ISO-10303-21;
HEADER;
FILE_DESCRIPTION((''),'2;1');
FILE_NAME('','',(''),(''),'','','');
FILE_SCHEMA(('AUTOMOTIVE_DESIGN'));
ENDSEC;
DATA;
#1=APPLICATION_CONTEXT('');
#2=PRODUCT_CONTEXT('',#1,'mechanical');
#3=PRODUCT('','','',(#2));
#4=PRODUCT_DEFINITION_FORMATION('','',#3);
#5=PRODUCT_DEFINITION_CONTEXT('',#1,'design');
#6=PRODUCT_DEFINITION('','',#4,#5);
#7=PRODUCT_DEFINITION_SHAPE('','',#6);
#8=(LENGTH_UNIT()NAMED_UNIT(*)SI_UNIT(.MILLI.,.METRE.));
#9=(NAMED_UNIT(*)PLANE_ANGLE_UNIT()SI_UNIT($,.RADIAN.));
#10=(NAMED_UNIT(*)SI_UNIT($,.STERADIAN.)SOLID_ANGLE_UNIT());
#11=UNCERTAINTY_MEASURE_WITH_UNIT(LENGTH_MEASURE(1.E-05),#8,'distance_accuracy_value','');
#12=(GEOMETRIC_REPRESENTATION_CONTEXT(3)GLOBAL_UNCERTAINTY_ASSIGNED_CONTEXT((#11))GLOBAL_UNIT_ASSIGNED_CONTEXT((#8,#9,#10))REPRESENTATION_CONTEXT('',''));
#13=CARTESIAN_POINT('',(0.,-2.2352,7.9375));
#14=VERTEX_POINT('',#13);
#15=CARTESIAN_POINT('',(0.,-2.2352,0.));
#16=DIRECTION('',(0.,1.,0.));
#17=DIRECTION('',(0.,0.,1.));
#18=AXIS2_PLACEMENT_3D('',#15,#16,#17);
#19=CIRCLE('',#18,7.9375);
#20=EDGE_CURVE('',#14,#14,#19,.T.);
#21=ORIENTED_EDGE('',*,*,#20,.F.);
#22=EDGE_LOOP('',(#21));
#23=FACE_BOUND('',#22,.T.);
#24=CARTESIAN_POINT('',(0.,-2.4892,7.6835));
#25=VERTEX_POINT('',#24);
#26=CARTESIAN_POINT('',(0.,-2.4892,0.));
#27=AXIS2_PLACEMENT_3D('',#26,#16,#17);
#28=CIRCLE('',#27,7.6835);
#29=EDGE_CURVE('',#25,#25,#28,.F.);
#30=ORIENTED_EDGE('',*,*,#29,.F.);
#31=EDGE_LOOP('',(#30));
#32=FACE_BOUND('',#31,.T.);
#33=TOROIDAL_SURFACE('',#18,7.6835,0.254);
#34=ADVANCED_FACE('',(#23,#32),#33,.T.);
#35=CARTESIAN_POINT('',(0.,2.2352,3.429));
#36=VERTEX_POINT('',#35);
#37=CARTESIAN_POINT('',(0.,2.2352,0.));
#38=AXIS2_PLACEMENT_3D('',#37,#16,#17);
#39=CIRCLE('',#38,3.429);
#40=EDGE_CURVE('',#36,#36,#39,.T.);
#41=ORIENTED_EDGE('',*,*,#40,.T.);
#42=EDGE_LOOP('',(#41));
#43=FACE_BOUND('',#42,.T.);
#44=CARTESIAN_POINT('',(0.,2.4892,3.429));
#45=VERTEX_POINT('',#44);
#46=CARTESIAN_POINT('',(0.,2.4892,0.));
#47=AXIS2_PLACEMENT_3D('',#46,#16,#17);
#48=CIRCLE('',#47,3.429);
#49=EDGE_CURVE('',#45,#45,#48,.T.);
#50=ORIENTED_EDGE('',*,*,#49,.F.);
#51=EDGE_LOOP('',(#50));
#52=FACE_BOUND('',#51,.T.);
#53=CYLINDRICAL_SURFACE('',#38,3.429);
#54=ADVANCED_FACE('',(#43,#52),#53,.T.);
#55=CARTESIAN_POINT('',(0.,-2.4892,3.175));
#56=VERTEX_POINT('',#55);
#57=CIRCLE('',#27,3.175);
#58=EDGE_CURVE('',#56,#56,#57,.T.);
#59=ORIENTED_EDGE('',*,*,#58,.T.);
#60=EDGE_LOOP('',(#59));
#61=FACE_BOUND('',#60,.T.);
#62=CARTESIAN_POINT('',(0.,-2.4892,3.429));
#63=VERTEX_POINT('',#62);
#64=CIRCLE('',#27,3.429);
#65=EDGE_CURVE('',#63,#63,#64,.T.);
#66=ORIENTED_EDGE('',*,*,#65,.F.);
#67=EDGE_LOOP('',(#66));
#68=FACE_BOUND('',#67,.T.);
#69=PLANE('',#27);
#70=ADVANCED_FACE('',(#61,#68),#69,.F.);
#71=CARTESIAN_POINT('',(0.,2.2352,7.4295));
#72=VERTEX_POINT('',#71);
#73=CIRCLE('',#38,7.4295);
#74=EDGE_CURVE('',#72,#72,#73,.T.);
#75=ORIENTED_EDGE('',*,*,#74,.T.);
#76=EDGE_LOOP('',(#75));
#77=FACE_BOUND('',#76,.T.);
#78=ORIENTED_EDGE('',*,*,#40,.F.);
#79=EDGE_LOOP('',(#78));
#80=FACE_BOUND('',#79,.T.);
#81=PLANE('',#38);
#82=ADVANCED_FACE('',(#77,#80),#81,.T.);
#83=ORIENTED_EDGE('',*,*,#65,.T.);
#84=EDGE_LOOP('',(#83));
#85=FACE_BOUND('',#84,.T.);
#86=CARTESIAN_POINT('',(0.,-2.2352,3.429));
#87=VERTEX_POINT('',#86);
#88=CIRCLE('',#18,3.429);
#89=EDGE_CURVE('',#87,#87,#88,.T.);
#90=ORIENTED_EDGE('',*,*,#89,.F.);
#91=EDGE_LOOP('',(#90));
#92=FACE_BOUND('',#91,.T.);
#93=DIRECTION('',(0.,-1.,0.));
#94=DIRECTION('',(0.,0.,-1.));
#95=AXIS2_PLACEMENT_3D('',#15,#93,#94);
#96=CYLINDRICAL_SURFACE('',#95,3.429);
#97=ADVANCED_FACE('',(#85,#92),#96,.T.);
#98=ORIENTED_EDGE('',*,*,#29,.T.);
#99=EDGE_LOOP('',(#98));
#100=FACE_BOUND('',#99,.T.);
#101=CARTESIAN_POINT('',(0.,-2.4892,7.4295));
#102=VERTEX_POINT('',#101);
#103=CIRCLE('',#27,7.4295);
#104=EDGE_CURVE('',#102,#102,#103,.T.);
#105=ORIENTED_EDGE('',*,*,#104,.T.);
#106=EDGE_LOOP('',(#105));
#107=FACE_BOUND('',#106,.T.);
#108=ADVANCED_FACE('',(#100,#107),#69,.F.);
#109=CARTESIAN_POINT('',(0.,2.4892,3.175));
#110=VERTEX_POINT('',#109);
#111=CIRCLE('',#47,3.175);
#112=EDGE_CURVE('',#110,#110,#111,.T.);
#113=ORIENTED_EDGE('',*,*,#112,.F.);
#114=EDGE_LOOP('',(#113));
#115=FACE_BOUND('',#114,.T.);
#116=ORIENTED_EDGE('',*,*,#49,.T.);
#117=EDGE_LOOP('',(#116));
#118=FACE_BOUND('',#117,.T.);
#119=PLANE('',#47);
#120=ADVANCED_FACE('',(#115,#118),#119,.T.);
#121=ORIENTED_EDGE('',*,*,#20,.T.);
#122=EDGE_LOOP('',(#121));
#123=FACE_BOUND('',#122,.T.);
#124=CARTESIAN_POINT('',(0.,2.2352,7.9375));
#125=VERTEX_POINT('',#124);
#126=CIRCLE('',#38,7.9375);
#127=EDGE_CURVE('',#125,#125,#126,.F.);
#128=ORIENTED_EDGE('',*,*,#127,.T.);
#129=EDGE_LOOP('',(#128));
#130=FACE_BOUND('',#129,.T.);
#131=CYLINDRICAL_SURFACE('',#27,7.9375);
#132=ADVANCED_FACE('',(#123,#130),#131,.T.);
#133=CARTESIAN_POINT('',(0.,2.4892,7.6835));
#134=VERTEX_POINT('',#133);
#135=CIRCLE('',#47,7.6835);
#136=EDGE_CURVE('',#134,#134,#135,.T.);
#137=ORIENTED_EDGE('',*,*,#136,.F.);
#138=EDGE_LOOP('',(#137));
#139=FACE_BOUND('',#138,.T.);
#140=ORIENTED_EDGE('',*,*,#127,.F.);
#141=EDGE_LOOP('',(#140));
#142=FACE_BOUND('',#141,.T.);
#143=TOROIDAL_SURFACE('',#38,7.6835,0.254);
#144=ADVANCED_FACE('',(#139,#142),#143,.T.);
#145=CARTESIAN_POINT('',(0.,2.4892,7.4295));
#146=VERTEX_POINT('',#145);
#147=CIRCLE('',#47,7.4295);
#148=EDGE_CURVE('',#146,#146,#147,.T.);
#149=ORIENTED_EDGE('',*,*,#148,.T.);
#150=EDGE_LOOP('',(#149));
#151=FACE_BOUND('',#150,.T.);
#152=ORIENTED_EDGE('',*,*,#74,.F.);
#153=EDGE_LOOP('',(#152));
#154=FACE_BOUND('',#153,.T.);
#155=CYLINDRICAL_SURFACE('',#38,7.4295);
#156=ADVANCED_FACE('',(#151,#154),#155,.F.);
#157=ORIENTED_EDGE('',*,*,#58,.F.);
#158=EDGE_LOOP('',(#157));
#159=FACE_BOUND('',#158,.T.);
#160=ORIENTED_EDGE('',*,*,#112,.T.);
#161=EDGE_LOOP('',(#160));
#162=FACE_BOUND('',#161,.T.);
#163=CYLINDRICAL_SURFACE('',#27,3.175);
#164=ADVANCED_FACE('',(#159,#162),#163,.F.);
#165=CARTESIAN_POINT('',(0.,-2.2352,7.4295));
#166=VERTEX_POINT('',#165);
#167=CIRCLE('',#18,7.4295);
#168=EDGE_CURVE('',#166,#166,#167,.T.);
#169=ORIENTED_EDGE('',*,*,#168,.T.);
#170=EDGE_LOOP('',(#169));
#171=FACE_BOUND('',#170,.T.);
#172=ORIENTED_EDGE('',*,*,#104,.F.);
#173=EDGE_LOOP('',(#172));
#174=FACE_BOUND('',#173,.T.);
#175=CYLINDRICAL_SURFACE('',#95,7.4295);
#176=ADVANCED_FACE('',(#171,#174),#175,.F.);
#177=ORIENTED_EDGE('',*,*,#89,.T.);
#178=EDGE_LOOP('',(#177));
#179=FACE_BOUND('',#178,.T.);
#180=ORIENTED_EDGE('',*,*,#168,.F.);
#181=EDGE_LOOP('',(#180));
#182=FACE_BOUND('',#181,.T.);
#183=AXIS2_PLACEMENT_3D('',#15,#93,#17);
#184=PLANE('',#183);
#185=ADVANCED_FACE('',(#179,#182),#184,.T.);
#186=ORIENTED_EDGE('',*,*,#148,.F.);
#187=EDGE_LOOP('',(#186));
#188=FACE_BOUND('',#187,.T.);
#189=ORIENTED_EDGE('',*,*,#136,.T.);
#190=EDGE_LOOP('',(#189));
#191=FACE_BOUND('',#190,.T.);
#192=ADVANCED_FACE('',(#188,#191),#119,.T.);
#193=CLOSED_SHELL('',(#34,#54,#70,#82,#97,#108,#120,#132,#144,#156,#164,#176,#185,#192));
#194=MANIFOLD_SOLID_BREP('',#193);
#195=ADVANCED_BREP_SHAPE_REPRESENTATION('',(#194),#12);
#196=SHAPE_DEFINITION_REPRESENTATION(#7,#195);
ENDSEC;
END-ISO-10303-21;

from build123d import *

# Parameters (mm, degrees)
BOSS_EXTRUDE1_DEPTH      = 2.4892
BOSS_EXTRUDE1_DEPTH_BACK = 2.4892
SKETCH1_R                = 7.9375
SKETCH1_R_2              = 3.175
FILLET1_R                = 0.254
SKETCH2_R                = 7.4295
SKETCH2_R_2              = 3.429
CUT_EXTRUDE1_DEPTH       = 0.254


with BuildPart() as part:
    # Sketch1 → Boss-Extrude1 (new, two sides: drawn at the far end of the back side and taken through both)
    with BuildSketch(Plane(origin=(0, 0, 0), x_dir=(1, 0, 0), z_dir=(0, 1, 0)).offset(-BOSS_EXTRUDE1_DEPTH_BACK)):
        Circle(SKETCH1_R)
        Circle(SKETCH1_R_2, mode=Mode.SUBTRACT)
    extrude(amount=BOSS_EXTRUDE1_DEPTH + BOSS_EXTRUDE1_DEPTH_BACK)

    # Fillet1
    fillet1_edges = [part.edges().sort_by_distance(p)[0] for p in [
        (-7.9375, -2.4892, 0),
        (-7.9375, 2.4892, 0),
    ]]
    fillet(fillet1_edges, radius=FILLET1_R)

    # Sketch2 → Cut-Extrude1 (cut)
    with BuildSketch(Plane(origin=(0, 2.4892, 0), x_dir=(1, 0, 0), z_dir=(0, 1, 0))):
        Circle(SKETCH2_R)
        Circle(SKETCH2_R_2, mode=Mode.SUBTRACT)
    cut_extrude1 = extrude(amount=-CUT_EXTRUDE1_DEPTH, mode=Mode.SUBTRACT)

    # Mirror1: Cut-Extrude1 across plane
    add(cut_extrude1.mirror(Plane.ZX), mode=Mode.SUBTRACT)


solid = part.part
